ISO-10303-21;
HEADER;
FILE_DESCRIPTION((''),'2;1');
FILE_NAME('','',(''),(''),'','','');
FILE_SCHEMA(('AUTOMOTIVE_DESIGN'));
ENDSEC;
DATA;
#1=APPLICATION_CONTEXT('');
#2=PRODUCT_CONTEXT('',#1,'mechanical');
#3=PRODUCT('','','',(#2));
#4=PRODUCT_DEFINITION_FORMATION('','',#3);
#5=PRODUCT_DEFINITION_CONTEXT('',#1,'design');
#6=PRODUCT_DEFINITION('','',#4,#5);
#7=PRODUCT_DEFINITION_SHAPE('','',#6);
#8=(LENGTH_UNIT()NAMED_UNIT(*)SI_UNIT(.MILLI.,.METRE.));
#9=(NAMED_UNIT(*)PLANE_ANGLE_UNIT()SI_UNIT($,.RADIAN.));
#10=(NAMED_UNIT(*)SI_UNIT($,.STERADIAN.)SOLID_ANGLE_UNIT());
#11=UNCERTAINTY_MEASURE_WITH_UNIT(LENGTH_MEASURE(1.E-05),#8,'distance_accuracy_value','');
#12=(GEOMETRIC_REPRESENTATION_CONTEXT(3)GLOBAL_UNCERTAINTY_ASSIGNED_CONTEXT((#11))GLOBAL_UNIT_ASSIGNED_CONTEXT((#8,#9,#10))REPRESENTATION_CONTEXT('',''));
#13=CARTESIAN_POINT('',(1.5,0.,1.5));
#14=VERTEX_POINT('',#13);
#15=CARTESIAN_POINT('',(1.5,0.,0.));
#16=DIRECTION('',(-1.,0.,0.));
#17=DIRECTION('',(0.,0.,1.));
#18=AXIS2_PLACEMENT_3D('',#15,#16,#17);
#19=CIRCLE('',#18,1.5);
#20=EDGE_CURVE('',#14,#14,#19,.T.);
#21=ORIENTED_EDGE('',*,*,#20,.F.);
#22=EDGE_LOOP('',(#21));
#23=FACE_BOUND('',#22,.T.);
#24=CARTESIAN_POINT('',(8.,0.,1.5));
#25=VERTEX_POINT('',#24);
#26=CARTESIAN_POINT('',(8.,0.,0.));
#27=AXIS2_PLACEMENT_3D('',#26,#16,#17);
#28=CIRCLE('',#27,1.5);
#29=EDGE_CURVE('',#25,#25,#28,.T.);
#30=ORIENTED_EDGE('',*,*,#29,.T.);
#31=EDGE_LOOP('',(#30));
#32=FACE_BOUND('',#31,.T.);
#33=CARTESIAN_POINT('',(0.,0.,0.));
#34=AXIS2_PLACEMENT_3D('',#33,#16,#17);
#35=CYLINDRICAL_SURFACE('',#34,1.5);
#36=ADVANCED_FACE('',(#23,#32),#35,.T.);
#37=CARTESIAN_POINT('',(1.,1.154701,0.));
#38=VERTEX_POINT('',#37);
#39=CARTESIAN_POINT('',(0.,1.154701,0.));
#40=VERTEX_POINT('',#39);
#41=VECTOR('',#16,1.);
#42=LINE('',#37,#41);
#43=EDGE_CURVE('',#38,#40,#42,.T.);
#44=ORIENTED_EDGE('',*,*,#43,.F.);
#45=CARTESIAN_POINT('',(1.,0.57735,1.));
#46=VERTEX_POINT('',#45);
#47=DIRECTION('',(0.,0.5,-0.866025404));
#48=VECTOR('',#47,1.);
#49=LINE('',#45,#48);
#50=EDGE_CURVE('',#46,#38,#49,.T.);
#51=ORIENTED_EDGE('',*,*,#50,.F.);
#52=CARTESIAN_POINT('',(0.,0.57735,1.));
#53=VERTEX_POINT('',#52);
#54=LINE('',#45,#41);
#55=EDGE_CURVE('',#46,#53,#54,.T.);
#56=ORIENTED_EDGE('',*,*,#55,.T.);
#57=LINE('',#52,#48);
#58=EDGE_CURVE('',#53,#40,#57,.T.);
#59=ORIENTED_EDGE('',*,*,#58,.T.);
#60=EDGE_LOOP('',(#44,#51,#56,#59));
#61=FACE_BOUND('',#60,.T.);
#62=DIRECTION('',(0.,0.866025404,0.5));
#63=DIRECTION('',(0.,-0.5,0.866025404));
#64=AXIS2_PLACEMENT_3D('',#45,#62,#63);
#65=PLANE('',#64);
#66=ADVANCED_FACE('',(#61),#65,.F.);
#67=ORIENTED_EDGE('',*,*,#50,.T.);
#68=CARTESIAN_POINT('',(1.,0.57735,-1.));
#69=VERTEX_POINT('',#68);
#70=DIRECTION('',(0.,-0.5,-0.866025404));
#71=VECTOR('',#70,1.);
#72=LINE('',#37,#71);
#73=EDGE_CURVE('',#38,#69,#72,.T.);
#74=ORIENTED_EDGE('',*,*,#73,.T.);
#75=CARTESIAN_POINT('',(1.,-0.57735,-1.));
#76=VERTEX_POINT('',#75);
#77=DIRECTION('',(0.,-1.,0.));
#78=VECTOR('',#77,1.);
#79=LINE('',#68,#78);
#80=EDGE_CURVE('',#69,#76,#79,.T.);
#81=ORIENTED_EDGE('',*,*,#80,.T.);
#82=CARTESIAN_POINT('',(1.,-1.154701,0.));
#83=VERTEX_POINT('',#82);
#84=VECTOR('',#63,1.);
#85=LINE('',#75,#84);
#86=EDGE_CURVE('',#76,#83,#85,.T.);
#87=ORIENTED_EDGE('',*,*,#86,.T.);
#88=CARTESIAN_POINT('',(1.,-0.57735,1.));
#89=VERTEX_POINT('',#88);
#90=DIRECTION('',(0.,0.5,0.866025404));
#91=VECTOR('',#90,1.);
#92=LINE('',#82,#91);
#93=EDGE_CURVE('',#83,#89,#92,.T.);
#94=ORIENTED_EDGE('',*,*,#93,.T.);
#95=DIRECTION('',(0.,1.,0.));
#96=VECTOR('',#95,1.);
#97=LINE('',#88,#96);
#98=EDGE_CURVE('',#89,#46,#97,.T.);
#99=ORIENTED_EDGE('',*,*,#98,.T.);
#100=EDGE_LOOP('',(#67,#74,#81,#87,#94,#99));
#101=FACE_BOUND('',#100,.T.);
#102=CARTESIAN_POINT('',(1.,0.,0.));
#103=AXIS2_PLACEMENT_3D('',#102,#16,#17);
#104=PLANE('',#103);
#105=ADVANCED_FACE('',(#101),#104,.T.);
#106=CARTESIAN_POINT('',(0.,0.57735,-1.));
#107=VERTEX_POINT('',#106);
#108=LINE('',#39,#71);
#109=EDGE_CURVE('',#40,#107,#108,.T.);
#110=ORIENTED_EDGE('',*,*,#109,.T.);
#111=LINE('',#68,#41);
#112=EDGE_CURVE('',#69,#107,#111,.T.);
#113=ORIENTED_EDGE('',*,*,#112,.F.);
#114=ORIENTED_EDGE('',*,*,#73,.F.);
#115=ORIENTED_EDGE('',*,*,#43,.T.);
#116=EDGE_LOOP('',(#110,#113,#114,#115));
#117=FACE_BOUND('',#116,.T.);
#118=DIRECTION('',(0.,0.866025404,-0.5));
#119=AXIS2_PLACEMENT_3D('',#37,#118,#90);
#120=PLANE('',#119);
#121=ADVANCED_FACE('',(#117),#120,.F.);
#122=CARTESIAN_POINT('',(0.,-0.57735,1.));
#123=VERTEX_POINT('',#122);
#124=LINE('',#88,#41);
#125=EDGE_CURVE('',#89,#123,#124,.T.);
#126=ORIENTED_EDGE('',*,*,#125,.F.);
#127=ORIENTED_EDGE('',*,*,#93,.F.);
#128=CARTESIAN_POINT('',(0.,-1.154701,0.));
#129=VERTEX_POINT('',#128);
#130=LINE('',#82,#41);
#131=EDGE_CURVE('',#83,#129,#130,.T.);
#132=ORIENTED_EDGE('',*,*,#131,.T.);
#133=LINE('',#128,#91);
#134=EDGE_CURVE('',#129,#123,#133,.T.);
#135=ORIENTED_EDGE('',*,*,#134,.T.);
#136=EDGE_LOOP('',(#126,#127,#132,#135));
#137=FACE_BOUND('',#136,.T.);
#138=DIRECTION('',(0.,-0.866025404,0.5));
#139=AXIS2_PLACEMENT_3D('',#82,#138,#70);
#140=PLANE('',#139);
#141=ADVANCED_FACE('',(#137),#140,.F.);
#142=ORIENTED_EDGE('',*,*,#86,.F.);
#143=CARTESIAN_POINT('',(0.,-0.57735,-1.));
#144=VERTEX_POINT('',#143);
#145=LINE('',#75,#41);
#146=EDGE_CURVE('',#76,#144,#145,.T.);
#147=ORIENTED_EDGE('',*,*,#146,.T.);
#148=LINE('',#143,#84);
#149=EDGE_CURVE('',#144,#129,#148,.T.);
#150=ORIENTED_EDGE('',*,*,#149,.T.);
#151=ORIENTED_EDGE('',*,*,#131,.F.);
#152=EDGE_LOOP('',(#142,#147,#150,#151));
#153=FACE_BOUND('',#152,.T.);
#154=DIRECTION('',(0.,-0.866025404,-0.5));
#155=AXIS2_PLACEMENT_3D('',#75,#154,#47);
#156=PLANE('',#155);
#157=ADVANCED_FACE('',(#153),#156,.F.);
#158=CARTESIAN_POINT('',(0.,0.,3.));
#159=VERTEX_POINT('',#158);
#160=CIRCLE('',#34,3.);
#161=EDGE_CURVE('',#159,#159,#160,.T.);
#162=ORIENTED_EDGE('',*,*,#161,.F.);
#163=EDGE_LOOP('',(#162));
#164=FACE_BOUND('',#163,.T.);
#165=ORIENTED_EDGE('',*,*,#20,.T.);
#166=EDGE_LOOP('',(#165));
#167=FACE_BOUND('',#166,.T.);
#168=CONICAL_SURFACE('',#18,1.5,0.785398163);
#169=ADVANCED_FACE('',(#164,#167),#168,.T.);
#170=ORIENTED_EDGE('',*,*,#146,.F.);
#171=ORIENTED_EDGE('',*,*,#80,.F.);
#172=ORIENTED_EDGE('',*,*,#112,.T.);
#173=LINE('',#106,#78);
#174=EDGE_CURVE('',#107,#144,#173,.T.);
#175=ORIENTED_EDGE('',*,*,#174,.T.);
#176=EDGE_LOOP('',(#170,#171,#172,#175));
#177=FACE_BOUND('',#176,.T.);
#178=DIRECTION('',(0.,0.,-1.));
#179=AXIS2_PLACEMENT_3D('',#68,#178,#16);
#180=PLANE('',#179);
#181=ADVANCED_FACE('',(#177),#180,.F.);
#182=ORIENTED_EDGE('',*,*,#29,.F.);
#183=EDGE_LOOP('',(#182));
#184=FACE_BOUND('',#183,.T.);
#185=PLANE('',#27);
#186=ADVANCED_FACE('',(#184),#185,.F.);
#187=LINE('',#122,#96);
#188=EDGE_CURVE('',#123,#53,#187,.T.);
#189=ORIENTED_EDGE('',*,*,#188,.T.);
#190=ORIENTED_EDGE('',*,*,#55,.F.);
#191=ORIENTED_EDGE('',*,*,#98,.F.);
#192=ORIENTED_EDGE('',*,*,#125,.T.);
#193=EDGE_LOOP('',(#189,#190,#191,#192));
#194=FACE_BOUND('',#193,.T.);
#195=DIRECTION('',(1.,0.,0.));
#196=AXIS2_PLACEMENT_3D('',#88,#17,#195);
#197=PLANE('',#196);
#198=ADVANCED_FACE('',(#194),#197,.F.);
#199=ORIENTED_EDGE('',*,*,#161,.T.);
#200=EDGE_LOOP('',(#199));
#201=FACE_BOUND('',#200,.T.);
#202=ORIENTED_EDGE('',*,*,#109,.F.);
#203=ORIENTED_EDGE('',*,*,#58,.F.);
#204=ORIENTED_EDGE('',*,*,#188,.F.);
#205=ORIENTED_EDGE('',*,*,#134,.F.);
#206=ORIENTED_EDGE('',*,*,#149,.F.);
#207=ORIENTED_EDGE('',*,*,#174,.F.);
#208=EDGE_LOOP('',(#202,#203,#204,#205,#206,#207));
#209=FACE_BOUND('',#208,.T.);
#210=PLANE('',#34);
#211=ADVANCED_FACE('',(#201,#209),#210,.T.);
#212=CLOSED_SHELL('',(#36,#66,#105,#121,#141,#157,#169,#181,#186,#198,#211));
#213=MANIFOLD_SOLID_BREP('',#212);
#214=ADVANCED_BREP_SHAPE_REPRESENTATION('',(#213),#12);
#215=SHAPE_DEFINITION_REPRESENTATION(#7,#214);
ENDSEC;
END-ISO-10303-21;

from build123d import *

# Parameters (mm, degrees)
CUT_EXTRUDE_1_DEPTH = 1


with BuildPart() as part:
    # 草图1 → 旋转1 (revolve)
    with BuildSketch(Plane.XY, mode=Mode.PRIVATE) as revolve_1_sk:
        Polygon((0, 0), (0, 3), (1.5, 1.5), (8, 1.5), (8, 0), align=None)
    revolve(revolve_1_sk.sketch.rotate(Axis((0, 0, 0), (1, 0, 0)), 90), axis=Axis((0, 0, 0), (1, 0, 0)))

    # 草图2 → 切除-拉伸1 (cut)
    with BuildSketch(Plane.ZY):
        Polygon((0, 1.154700538), (-1, 0.577350269), (-1, -0.577350269), (0, -1.154700538), (1, -0.577350269), (1, 0.577350269), align=None)
    extrude(amount=-CUT_EXTRUDE_1_DEPTH, mode=Mode.SUBTRACT)


solid = part.part
